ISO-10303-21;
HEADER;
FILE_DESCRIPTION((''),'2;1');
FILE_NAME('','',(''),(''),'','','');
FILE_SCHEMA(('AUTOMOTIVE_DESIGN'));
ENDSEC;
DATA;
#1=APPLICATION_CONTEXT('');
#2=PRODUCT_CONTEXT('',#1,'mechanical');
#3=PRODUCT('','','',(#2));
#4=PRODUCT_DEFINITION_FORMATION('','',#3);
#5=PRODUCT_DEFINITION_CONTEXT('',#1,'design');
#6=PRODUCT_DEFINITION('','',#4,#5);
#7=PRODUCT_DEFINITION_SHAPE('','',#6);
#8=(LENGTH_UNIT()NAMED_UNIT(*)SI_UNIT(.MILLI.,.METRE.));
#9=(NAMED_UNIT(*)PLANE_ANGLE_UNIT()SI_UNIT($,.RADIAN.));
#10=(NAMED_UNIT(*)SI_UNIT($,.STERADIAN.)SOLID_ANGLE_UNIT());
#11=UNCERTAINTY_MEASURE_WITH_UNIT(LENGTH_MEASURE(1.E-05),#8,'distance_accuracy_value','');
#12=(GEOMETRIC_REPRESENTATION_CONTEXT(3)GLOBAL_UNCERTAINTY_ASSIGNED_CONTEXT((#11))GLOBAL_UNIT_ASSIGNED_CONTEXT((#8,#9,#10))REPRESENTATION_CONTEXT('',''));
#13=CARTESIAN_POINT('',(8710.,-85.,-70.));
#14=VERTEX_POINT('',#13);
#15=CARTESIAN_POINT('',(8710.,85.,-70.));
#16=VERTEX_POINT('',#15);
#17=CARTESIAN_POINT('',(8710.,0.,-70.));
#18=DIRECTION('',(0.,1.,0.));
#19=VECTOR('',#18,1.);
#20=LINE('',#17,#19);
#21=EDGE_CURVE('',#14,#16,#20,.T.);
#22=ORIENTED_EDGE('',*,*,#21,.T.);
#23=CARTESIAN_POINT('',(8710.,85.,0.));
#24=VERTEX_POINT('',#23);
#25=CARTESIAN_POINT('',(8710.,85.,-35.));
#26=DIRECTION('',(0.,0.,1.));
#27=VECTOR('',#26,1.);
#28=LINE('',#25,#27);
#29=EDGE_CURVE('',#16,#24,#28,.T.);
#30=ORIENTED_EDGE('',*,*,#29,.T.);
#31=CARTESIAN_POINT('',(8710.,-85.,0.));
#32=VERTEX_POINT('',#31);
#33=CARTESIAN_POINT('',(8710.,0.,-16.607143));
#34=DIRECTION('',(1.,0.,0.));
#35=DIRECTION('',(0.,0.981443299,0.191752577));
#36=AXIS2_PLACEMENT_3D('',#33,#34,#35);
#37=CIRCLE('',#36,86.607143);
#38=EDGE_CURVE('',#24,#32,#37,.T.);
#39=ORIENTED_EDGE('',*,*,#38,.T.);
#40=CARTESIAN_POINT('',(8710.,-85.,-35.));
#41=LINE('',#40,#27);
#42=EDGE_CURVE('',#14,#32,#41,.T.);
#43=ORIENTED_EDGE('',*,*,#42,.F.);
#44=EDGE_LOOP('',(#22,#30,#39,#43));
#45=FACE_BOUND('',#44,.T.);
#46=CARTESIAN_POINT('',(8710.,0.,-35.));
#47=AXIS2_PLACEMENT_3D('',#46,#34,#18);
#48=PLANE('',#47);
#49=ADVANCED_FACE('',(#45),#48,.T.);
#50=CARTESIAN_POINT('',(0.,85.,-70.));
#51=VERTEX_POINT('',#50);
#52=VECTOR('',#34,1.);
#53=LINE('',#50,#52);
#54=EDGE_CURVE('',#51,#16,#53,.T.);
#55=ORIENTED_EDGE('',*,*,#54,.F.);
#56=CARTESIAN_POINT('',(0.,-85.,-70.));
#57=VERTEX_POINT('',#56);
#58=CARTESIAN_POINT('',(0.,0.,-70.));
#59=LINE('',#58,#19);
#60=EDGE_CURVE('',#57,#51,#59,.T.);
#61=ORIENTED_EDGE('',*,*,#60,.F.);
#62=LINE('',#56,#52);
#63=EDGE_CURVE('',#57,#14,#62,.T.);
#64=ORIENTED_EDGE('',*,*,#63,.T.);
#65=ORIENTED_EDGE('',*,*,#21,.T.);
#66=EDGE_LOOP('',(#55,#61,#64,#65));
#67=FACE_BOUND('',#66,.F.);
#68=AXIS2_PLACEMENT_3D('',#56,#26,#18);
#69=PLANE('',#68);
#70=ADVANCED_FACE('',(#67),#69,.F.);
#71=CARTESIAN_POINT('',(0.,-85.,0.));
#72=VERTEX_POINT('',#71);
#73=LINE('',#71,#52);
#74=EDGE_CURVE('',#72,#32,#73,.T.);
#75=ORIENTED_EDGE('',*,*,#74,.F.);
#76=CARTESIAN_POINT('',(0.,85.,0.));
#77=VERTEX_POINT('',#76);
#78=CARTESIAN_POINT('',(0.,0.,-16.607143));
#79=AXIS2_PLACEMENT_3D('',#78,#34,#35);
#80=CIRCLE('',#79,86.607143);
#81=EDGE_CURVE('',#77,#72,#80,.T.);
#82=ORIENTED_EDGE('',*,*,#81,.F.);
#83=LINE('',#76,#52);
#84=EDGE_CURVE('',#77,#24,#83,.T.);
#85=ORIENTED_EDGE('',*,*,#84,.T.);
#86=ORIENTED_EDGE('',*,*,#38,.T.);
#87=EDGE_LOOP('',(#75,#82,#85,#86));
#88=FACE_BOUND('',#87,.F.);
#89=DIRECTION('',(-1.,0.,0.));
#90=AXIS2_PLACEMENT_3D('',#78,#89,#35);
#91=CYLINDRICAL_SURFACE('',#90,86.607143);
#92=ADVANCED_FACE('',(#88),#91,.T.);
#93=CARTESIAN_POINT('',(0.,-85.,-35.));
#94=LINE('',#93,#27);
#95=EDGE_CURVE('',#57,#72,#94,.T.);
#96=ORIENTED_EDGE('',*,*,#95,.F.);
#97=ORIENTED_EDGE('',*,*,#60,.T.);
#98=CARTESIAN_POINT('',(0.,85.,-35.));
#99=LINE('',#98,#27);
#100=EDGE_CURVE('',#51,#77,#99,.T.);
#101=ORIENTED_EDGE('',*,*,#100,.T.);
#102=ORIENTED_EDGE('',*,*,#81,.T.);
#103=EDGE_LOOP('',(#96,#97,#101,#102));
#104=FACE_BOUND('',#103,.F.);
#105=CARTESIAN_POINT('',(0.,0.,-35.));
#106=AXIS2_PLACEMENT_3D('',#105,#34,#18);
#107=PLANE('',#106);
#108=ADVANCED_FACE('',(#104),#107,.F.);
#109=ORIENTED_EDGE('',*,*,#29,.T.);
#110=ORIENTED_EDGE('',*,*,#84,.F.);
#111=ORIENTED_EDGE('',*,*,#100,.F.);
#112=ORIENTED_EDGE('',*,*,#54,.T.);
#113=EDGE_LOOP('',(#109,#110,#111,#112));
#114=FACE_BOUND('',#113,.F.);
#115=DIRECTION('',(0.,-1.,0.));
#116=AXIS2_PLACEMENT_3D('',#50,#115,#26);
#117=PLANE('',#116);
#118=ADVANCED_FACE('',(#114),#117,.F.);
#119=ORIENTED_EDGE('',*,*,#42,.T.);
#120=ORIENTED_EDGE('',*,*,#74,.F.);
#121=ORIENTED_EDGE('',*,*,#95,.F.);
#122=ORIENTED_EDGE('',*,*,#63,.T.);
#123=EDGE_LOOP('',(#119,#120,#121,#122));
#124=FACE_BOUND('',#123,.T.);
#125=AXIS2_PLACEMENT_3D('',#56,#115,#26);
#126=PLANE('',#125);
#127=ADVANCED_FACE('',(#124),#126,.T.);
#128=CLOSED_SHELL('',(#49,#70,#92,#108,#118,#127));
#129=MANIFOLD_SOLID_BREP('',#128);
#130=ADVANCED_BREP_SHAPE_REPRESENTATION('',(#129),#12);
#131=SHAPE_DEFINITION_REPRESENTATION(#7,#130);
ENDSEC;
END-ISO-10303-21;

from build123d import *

# Parameters (mm, degrees)
F0_W     = 170
F0_H     = 70
F1_DEPTH = 8710


with BuildPart() as f1:
    # F0 (on Right) → F1 (new body)
    with BuildSketch(Plane.YZ):
        with Locations((0, -35)):
            Rectangle(F0_W, F0_H)
        with BuildLine():
            ThreePointArc((85, 0), (0, 70), (-85, 0))
            Line((-85, 0), (85, 0))
        make_face()
    extrude(amount=F1_DEPTH)


solid = f1.part
